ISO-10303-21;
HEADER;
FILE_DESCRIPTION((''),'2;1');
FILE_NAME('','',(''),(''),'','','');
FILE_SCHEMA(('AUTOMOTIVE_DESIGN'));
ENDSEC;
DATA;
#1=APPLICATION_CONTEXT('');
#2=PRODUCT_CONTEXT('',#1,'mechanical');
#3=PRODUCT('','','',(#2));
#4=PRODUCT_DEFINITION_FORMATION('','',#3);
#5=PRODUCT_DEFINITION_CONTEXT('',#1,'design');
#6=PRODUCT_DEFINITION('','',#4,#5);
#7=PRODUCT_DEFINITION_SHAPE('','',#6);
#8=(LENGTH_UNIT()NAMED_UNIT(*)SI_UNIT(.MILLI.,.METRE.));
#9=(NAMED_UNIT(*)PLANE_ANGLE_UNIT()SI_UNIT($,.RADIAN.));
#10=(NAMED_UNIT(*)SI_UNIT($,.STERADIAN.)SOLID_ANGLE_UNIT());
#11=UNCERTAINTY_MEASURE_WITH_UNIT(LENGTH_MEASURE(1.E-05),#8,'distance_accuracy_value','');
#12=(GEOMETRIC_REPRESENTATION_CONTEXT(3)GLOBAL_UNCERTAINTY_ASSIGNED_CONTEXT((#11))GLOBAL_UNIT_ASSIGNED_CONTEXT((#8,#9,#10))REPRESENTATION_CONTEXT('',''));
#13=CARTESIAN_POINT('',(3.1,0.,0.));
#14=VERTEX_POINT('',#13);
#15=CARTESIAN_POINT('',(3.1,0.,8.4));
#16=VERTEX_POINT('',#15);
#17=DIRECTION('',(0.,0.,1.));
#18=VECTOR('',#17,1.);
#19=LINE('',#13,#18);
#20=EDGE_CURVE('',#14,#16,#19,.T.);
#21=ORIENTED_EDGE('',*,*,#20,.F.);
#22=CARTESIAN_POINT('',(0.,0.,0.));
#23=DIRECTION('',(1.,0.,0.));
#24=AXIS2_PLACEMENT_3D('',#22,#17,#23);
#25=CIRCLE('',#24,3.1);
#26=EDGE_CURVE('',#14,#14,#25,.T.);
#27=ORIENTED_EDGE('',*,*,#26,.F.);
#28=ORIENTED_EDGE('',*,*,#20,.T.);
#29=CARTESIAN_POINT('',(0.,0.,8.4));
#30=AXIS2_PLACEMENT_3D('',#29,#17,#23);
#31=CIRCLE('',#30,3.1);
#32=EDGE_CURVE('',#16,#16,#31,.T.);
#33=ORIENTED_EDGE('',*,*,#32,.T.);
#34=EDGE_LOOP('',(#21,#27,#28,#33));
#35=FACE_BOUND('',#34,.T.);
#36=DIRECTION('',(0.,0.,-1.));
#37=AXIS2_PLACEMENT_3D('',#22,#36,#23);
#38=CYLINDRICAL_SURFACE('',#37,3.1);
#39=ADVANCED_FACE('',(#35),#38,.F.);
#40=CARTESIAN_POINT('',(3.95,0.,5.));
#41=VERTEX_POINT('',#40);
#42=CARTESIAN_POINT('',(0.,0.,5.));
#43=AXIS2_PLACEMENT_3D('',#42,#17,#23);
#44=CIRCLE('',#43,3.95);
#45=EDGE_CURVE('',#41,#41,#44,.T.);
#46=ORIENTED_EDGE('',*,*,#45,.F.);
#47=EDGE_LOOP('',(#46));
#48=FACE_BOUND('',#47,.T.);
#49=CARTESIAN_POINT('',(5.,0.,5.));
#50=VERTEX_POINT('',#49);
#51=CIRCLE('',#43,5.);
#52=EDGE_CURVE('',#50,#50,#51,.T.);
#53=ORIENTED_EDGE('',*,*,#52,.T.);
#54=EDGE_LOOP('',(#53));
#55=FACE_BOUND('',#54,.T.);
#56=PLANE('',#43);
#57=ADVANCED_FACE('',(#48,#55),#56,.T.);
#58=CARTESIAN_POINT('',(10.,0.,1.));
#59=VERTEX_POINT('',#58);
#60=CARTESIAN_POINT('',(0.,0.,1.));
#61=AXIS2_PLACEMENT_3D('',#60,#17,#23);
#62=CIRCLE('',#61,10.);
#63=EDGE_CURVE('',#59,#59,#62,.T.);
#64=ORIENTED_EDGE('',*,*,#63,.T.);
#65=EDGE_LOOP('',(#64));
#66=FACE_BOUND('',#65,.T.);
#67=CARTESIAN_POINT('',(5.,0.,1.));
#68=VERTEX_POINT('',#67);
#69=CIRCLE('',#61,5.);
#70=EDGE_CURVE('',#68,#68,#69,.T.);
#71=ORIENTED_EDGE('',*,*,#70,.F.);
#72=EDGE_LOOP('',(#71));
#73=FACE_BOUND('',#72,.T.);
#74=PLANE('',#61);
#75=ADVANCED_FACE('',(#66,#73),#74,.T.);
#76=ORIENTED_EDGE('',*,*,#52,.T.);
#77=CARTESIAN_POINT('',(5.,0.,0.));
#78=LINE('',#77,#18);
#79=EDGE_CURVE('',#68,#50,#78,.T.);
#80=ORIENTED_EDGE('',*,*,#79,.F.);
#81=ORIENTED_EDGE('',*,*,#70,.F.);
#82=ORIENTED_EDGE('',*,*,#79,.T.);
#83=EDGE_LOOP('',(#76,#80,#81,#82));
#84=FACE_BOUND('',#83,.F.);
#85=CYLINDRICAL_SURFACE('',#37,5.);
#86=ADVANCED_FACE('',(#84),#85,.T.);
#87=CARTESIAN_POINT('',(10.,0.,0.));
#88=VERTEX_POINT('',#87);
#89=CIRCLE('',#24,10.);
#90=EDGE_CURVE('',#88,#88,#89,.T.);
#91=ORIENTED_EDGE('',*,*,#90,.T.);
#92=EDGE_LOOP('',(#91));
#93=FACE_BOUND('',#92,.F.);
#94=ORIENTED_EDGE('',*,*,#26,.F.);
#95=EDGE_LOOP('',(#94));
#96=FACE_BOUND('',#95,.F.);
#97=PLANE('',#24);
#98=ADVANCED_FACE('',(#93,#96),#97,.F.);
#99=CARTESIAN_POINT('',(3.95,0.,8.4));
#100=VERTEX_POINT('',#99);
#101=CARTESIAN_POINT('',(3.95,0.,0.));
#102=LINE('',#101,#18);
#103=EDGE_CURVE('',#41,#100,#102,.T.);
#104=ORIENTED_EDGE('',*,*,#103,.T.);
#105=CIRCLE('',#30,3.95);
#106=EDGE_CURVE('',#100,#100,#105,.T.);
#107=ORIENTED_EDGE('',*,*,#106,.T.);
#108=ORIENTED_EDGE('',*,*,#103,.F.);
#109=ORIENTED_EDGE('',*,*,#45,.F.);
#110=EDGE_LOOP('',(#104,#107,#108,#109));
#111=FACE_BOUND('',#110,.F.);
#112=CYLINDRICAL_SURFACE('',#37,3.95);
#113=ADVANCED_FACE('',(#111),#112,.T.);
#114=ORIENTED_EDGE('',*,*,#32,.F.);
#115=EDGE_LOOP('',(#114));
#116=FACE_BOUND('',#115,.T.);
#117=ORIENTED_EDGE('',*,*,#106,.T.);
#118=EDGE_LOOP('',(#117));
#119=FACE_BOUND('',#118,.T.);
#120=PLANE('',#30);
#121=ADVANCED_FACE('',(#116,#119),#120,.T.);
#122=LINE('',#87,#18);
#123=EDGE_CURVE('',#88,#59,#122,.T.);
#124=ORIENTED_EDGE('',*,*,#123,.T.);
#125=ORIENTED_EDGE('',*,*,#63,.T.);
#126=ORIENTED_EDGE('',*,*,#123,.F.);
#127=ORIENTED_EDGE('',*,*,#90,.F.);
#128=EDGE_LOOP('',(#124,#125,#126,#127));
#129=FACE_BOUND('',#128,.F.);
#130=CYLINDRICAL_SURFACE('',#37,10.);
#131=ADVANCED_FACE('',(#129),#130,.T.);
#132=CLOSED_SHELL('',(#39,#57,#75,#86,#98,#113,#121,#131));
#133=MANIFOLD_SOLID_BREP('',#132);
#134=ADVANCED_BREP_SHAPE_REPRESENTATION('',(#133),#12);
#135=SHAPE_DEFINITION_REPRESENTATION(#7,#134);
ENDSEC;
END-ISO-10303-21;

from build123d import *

# Parameters (mm, degrees)
F0_R     = 3.95
F0_R_2   = 3.1
F1_DEPTH = 8.4
F0_R_3   = 5
F2_DEPTH = 5
F0_R_4   = 10
F3_DEPTH = 1


with BuildPart() as f1:
    # F0 (on Top) → F1 (new body)
    with BuildSketch(Plane.XY):
        Circle(F0_R)
        Circle(F0_R_2, mode=Mode.SUBTRACT)
    extrude(amount=F1_DEPTH)

    # F0 (on Top) → F2 (join)
    with BuildSketch(Plane.XY):
        Circle(F0_R_3)
        Circle(F0_R, mode=Mode.SUBTRACT)
    extrude(amount=F2_DEPTH)

    # F0 (on Top) → F3 (join)
    with BuildSketch(Plane.XY):
        Circle(F0_R_4)
        Circle(F0_R_3, mode=Mode.SUBTRACT)
    extrude(amount=F3_DEPTH)


solid = f1.part
